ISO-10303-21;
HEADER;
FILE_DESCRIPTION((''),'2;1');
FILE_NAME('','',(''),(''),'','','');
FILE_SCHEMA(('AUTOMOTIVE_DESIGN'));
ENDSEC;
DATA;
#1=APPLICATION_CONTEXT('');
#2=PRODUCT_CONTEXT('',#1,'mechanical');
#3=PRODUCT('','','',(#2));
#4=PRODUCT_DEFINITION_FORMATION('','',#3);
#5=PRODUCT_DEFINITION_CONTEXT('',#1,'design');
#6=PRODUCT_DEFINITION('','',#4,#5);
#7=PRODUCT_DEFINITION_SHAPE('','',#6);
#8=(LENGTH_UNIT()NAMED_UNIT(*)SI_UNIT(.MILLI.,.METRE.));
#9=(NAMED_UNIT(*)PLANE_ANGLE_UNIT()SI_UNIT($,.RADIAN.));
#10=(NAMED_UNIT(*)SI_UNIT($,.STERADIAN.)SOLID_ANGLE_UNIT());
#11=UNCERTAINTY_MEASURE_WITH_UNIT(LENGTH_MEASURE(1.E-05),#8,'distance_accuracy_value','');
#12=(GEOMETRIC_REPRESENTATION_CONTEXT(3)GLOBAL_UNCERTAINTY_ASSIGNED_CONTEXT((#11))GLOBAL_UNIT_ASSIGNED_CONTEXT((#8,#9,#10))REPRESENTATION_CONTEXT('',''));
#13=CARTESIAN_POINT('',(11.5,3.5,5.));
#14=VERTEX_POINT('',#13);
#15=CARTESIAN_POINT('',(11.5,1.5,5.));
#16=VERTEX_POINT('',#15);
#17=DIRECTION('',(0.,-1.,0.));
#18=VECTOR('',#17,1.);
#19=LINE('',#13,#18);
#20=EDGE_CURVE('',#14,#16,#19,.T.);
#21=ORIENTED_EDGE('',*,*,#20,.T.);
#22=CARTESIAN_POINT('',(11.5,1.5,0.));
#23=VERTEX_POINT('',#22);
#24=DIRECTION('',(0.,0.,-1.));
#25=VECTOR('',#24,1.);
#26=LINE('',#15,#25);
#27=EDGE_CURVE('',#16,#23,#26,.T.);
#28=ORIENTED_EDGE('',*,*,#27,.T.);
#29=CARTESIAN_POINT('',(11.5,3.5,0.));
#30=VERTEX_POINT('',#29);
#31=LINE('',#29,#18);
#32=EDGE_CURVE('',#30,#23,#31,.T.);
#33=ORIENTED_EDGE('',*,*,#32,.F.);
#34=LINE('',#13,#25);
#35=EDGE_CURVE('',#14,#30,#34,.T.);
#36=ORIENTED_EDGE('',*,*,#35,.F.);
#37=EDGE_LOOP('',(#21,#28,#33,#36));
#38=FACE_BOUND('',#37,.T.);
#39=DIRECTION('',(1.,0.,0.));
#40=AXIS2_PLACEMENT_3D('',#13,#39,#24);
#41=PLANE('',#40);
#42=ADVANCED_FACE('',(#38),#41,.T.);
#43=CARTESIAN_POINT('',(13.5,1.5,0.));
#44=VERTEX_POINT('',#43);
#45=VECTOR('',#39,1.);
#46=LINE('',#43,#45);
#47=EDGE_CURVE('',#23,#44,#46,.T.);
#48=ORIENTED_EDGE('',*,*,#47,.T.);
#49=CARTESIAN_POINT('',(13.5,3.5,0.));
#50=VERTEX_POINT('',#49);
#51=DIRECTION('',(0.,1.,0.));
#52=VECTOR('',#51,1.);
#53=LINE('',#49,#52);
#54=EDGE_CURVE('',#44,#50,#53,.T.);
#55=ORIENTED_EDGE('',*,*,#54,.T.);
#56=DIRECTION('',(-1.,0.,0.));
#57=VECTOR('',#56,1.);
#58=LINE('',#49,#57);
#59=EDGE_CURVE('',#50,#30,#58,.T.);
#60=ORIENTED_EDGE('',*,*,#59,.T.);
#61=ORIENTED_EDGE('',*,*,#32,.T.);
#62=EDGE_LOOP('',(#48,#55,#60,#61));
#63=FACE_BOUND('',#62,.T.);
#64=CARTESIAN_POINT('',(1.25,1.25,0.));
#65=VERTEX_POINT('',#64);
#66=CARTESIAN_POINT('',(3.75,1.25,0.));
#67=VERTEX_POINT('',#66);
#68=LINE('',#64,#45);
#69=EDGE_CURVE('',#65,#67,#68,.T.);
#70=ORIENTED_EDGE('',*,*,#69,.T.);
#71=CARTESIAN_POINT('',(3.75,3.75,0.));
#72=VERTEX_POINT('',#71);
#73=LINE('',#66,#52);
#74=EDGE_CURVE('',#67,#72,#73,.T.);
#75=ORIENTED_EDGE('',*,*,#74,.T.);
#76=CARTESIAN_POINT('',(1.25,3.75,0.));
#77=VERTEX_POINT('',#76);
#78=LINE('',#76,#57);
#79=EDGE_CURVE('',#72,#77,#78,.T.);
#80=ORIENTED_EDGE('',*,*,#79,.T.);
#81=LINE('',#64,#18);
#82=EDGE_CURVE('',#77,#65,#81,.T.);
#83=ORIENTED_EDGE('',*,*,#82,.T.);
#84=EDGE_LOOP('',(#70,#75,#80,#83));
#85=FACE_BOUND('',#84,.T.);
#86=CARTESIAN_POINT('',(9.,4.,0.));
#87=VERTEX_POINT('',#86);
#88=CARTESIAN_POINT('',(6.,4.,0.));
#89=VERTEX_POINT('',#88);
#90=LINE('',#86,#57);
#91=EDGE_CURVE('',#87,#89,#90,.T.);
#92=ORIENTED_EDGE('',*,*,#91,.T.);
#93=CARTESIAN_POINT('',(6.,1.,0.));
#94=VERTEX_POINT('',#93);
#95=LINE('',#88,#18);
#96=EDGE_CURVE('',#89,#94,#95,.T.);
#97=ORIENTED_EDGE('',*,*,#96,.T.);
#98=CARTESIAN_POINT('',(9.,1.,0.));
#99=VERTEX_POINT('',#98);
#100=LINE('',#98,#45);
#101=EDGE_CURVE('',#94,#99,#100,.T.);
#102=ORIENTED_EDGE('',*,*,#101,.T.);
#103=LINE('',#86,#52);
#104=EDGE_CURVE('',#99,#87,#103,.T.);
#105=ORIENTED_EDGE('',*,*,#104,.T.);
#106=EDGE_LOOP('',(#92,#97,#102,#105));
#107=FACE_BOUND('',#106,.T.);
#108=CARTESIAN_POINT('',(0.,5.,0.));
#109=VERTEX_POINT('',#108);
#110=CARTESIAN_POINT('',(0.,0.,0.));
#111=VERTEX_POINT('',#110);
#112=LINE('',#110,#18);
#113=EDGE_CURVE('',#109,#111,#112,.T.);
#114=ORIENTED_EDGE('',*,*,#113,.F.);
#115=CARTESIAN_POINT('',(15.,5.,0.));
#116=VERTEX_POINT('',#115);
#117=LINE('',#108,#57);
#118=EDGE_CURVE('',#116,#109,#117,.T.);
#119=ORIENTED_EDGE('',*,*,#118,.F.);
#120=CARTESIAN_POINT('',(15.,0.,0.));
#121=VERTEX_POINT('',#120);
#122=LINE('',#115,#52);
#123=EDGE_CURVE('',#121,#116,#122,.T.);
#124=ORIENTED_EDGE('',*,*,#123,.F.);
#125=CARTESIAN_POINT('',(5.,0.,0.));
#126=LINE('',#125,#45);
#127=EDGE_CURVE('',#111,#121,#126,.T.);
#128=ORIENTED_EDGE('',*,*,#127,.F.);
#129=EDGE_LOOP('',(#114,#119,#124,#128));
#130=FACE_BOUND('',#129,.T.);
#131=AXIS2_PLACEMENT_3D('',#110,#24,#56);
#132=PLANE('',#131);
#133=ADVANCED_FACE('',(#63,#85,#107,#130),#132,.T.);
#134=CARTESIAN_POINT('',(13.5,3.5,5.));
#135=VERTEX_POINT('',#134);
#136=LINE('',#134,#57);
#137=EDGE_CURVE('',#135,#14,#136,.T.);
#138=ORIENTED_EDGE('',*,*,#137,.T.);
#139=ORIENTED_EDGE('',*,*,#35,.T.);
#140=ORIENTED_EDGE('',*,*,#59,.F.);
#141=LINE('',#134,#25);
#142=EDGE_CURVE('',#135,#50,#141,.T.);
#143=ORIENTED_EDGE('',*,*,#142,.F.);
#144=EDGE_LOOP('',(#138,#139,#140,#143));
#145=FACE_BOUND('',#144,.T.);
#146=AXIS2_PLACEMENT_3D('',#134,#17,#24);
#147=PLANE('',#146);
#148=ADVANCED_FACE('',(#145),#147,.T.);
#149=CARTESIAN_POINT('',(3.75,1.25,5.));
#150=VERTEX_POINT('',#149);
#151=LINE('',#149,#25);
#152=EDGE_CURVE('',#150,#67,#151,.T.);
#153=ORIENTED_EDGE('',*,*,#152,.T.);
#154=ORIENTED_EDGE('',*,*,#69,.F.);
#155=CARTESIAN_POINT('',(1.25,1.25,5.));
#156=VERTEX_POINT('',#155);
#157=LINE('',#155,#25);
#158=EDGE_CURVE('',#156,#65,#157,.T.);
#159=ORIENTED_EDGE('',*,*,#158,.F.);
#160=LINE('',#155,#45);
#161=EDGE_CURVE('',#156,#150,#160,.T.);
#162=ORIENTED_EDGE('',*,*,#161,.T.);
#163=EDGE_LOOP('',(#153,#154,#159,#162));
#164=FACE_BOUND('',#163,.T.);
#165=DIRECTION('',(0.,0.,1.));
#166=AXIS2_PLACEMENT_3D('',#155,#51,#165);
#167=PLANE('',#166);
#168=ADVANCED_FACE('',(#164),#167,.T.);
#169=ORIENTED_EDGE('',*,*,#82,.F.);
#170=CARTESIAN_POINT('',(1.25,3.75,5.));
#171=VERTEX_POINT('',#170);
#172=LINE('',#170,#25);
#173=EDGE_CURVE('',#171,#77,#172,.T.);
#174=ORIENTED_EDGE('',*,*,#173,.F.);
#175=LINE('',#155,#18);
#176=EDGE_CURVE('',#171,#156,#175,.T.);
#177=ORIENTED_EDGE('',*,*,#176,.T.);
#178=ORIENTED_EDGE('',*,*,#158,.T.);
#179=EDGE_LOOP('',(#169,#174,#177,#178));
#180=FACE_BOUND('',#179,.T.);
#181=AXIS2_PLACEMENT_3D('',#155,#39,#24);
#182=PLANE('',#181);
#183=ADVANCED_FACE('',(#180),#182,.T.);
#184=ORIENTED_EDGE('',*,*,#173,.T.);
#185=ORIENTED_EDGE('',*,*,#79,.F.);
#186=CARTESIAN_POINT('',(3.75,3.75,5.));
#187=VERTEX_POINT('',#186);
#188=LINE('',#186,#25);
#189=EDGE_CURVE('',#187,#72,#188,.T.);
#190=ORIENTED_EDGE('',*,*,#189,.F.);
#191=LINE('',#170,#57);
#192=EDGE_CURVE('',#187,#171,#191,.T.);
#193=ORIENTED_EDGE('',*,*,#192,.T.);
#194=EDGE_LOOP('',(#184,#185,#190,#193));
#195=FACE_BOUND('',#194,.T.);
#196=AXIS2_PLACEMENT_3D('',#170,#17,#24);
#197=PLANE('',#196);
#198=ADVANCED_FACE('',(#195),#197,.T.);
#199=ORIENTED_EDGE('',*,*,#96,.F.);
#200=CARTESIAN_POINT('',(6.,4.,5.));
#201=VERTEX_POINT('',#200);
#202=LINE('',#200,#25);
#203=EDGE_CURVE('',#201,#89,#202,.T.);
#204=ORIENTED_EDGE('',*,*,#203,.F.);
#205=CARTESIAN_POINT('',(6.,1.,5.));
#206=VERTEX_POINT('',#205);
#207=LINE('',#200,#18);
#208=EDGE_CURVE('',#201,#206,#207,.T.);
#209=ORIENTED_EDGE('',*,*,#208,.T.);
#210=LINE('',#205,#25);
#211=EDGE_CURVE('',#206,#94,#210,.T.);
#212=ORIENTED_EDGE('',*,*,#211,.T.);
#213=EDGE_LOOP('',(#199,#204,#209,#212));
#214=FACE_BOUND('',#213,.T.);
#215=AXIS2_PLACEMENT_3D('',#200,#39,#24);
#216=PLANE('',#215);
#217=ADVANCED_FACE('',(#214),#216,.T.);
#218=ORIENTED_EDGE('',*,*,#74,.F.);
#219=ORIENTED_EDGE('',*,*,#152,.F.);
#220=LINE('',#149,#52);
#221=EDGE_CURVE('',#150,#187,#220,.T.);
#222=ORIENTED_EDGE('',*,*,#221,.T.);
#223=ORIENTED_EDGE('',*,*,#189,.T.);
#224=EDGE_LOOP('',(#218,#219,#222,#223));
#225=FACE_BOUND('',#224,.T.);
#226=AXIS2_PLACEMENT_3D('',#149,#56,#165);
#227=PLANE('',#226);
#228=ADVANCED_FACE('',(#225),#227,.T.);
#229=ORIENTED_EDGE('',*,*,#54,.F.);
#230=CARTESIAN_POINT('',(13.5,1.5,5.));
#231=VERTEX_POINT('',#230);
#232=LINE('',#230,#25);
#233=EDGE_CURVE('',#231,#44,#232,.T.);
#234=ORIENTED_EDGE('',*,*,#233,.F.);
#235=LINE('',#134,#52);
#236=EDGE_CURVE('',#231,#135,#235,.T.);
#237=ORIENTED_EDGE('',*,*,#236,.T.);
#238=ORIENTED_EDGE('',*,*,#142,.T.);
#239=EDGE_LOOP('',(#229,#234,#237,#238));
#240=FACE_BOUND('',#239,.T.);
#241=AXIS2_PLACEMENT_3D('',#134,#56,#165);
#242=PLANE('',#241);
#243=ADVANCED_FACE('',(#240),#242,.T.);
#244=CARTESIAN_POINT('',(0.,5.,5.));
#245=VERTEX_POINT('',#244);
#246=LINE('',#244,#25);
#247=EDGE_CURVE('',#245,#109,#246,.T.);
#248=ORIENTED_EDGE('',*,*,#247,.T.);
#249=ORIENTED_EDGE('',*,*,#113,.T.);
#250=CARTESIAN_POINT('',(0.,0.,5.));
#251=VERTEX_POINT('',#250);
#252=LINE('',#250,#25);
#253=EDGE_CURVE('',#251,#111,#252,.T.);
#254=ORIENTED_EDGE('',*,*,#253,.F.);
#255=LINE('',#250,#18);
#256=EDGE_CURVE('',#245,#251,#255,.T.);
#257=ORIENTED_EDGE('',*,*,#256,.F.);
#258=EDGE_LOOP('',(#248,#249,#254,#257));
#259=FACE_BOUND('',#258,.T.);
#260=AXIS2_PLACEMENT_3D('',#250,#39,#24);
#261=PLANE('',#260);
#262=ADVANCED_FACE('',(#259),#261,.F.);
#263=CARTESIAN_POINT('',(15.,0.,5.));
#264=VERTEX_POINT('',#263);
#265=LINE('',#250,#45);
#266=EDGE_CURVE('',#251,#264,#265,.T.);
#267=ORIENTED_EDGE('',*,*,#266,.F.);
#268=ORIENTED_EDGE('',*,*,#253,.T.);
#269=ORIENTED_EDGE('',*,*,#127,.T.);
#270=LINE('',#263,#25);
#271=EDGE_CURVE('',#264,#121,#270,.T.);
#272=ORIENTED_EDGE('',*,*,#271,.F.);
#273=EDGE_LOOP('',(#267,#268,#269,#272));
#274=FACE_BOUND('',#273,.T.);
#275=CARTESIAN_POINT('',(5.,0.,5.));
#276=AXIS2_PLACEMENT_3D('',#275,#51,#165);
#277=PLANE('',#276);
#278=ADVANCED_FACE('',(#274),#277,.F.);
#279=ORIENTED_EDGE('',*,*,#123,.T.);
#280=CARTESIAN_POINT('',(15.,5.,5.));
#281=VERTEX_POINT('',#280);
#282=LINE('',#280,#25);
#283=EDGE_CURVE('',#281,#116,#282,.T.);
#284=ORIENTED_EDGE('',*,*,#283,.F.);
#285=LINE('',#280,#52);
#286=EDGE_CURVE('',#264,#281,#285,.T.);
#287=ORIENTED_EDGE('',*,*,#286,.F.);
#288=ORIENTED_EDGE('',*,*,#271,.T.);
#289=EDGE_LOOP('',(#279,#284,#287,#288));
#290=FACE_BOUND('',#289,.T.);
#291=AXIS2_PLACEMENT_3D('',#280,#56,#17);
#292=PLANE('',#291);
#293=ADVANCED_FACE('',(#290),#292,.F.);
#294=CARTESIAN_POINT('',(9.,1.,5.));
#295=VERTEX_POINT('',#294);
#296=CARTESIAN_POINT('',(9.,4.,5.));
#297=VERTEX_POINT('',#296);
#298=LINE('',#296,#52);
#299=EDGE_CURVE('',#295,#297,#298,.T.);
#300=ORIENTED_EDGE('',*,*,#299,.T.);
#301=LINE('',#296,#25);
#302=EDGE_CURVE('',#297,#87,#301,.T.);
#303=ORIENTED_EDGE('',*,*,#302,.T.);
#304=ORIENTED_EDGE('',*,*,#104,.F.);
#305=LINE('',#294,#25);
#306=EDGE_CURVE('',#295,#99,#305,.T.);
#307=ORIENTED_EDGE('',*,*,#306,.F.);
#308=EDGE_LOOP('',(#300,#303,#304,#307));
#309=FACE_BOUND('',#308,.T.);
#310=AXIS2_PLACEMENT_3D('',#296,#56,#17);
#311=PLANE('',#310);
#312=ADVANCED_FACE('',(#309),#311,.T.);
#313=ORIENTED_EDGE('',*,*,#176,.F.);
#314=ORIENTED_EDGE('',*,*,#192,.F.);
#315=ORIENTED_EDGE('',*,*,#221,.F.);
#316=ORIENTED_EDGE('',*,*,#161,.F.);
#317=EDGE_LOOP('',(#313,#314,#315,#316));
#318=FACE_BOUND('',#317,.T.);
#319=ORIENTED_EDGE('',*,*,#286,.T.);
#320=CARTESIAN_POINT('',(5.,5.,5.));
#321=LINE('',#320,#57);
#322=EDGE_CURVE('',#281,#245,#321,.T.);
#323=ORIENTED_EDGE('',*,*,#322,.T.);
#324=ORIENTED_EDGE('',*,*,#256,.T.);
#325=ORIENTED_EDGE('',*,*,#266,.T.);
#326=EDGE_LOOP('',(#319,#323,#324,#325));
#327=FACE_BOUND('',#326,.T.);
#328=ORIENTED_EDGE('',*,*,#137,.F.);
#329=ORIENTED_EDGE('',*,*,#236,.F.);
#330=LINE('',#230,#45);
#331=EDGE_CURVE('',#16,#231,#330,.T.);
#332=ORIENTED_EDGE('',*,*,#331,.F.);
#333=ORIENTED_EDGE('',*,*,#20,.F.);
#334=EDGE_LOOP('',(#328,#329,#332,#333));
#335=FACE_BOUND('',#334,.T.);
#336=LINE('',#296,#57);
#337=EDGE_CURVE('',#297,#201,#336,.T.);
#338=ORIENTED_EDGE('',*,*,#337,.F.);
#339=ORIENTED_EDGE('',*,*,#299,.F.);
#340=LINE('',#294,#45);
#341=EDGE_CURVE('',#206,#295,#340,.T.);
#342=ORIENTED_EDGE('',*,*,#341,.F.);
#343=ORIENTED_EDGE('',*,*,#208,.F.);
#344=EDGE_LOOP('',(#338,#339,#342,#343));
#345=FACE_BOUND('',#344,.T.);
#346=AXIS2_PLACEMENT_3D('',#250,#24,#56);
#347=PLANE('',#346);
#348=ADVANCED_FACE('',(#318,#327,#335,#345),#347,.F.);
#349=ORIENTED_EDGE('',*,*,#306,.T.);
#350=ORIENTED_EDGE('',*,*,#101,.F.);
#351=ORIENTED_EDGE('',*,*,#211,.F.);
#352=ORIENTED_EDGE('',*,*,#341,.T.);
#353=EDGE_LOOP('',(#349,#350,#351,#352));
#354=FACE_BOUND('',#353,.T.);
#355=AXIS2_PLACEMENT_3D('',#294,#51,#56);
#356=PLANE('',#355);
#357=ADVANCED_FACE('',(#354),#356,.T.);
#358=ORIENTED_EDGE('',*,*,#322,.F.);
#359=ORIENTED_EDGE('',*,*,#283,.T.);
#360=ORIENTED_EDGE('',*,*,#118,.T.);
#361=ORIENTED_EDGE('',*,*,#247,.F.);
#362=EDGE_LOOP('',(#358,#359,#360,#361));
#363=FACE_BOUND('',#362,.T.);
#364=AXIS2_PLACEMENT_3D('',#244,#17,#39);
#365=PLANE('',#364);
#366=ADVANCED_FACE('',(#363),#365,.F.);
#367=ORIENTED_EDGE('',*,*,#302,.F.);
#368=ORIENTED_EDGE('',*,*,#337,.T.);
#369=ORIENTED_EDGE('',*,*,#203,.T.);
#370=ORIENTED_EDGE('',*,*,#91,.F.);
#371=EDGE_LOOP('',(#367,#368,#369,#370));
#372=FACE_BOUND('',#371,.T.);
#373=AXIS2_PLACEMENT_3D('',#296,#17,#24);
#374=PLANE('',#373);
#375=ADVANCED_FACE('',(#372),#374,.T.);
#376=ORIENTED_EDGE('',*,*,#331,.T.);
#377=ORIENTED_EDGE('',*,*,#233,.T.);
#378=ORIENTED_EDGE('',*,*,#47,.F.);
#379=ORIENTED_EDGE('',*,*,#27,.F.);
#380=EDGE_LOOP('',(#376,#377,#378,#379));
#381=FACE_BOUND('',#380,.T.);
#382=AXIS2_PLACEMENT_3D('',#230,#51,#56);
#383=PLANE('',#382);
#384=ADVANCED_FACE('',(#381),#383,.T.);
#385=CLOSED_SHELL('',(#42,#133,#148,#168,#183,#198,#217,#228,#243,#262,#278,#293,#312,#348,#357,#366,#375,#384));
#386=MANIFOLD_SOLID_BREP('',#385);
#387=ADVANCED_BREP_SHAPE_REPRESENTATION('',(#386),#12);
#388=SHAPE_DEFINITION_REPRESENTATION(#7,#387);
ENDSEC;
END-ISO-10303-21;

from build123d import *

# Parameters (mm, degrees)
SKETCH1_W           = 2.5
SKETCH1_H           = 2.5
SKETCH1_W_2         = 2
SKETCH1_H_2         = 2
SKETCH1_W_3         = 3
SKETCH1_H_3         = 3
BOSS_EXTRUDE1_DEPTH = 5


with BuildPart() as part:
    # Sketch1 → Boss-Extrude1 (new body)
    with BuildSketch(Plane.XY):
        Polygon((0, 0), (5, 0), (15, 0), (15, 5), (5, 5), (0, 5), align=None)
        with Locations((2.5, 2.5)):
            Rectangle(SKETCH1_W, SKETCH1_H, mode=Mode.SUBTRACT)
        with Locations((12.5, 2.5)):
            Rectangle(SKETCH1_W_2, SKETCH1_H_2, mode=Mode.SUBTRACT)
        with Locations((7.5, 2.5)):
            Rectangle(SKETCH1_W_3, SKETCH1_H_3, mode=Mode.SUBTRACT)
    extrude(amount=BOSS_EXTRUDE1_DEPTH)


solid = part.part
